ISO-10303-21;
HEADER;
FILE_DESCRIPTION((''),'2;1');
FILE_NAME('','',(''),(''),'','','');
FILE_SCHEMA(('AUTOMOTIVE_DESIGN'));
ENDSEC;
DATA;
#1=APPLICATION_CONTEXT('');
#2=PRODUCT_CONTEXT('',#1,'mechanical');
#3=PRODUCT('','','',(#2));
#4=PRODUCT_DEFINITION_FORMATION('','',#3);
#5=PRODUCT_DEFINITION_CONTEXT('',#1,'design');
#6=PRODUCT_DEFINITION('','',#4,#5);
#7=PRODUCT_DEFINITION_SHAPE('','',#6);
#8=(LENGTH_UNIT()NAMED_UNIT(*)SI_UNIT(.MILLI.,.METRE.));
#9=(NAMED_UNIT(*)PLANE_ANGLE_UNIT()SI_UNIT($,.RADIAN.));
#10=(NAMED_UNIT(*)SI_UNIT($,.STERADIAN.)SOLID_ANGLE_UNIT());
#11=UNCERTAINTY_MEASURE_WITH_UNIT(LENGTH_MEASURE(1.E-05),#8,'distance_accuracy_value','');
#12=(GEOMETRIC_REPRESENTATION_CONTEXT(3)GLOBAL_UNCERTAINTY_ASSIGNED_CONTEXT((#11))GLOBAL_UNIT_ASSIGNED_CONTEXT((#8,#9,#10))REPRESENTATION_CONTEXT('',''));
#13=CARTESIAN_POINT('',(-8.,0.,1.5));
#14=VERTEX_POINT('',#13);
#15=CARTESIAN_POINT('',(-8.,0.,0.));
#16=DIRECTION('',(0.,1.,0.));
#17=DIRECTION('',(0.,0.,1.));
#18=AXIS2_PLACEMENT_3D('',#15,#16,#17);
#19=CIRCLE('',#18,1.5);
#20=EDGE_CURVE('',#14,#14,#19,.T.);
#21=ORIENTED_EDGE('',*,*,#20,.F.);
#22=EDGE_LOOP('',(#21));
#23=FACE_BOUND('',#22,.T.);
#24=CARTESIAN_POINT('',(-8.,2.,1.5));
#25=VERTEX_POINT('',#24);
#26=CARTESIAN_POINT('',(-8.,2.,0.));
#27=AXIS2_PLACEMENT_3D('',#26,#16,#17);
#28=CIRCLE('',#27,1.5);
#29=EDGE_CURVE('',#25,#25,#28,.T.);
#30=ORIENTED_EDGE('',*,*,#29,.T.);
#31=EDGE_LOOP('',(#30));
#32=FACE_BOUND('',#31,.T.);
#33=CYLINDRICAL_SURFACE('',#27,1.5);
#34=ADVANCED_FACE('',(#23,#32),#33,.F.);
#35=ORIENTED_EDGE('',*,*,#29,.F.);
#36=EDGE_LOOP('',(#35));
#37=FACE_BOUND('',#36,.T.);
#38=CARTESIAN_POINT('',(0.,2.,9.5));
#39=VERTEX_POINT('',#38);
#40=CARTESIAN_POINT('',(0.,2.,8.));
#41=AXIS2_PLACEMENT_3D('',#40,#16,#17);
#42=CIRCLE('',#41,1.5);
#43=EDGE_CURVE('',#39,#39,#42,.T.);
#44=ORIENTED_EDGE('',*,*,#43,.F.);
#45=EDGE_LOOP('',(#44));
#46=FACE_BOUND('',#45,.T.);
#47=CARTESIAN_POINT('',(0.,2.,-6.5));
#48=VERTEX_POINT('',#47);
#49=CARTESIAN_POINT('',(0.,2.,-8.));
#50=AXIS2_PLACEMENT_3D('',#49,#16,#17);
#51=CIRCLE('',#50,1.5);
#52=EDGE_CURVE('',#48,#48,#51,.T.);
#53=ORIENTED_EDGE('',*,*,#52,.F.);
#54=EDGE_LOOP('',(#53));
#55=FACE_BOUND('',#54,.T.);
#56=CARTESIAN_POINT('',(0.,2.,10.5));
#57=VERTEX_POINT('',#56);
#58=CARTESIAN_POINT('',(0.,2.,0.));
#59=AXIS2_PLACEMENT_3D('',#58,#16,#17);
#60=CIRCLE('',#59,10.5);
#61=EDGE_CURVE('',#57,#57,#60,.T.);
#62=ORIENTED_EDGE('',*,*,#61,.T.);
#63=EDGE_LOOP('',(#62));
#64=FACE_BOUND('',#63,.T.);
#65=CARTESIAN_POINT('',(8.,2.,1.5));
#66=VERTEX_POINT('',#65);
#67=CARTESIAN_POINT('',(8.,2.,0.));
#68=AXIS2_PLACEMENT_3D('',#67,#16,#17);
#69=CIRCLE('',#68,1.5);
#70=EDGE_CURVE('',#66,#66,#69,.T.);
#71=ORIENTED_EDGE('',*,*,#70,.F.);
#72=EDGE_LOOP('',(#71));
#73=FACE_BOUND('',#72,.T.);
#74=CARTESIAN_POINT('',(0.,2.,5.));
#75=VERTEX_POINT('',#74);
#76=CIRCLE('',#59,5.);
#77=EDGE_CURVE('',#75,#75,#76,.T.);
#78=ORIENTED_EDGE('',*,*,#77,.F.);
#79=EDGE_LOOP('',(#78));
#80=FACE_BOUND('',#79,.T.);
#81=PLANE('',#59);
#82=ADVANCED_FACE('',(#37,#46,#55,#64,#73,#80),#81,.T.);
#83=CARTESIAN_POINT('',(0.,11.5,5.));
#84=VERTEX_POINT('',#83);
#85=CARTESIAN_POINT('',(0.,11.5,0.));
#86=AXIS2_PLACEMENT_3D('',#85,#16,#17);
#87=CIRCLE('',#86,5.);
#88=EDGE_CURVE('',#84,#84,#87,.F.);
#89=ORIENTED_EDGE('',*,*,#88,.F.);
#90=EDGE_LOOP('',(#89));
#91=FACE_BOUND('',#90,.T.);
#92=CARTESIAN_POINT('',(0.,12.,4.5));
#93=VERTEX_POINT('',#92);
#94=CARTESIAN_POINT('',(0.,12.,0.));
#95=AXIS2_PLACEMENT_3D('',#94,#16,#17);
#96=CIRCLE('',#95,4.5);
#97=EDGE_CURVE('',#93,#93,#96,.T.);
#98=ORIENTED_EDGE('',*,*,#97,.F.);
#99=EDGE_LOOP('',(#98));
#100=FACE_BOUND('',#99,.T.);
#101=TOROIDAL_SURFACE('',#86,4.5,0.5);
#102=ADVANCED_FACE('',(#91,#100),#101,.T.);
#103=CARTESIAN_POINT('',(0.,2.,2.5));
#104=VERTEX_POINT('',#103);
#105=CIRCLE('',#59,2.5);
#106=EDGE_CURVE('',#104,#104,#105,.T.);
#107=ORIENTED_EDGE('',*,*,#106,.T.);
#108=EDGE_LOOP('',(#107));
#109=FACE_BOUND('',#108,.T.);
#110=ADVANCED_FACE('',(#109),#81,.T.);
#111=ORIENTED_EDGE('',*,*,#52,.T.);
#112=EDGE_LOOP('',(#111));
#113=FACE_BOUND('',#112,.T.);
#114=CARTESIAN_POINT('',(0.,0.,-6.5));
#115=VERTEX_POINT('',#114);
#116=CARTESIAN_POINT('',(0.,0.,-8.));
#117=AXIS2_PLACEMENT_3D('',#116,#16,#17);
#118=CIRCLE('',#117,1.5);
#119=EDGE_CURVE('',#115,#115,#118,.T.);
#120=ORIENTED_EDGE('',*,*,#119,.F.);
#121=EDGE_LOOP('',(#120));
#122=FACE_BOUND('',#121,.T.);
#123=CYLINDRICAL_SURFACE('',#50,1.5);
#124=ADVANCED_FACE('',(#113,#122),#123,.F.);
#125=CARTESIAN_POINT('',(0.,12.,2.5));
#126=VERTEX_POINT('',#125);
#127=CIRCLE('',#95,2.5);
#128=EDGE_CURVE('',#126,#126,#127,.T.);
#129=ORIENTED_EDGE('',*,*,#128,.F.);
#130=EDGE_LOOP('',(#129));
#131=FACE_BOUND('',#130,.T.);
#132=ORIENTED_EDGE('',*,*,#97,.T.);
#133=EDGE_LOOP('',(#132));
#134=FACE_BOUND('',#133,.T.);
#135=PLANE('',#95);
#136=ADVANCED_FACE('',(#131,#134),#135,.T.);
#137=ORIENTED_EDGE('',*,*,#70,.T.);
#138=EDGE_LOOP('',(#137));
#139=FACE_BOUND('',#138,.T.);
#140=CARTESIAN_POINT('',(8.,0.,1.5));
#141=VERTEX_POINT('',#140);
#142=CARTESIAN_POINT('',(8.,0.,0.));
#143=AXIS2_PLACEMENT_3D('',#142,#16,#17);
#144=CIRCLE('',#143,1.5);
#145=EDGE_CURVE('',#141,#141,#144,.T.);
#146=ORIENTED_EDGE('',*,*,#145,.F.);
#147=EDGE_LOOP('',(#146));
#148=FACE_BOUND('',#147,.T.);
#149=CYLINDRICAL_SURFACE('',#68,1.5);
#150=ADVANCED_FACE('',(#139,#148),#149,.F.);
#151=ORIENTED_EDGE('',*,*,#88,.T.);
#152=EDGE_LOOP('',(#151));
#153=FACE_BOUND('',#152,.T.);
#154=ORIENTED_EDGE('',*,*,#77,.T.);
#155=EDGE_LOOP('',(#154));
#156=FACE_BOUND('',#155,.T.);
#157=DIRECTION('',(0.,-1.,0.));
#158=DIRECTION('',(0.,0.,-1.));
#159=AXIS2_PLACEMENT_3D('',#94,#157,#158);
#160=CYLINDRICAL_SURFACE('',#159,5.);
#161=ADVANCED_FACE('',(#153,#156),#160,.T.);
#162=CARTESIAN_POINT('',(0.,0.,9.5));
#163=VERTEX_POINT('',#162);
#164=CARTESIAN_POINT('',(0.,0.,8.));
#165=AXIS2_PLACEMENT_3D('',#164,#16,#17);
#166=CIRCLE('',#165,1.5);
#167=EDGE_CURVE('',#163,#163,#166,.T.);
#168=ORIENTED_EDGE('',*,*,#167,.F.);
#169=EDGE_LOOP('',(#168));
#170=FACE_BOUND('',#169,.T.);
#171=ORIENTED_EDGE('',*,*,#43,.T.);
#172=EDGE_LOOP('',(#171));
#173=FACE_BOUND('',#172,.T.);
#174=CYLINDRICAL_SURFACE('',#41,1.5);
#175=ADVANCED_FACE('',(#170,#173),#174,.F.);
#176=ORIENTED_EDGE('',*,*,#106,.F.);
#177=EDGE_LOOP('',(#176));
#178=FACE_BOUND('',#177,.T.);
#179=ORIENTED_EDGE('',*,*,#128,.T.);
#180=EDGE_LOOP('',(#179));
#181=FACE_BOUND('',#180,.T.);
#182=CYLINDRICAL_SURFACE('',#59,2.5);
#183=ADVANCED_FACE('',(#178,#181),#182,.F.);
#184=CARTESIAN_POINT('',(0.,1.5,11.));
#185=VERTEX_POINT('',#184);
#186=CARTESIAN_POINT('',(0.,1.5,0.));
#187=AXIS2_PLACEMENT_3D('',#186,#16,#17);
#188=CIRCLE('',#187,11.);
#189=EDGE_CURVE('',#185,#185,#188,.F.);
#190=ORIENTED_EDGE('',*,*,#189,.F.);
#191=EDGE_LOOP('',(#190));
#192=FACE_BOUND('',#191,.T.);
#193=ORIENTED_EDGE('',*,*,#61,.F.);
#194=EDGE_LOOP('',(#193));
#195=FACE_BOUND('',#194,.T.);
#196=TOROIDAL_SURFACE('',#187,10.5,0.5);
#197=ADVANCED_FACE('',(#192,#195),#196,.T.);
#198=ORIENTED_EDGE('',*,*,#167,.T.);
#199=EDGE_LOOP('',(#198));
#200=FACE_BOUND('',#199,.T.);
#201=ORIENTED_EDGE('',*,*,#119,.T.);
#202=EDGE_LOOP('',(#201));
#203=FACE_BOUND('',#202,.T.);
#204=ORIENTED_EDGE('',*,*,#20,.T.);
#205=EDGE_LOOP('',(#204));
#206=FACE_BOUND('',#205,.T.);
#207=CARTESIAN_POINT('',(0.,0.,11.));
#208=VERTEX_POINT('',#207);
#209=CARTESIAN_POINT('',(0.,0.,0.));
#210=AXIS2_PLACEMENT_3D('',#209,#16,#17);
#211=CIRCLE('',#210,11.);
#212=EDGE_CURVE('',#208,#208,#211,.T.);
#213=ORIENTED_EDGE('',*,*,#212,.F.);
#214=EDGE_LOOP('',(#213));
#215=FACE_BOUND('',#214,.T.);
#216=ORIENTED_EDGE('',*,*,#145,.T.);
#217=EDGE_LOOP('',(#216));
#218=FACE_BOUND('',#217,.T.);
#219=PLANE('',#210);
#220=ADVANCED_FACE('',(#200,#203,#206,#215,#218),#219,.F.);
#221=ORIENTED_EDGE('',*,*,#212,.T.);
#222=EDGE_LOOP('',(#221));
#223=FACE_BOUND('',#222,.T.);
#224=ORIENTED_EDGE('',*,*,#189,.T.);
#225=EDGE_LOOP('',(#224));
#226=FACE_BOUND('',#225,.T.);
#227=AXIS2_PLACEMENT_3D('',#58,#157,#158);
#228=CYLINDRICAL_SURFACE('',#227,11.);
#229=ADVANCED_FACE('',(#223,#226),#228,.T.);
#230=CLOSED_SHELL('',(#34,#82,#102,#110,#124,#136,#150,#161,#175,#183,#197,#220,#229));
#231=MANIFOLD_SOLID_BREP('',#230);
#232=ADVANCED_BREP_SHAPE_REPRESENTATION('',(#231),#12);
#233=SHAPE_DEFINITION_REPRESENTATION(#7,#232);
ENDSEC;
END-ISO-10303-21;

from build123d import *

# Parameters (mm, degrees)
SKETCH_1_R          = 11
EXTRUDE_1_DEPTH     = 2
SKETCH_2_R          = 5
EXTRUDE_2_DEPTH     = 10
SKETCH_3_R          = 2.5
CUT_EXTRUDE_1_DEPTH = 10
HOLE_WIZARD_1_D     = 3
FILLET_1_R          = 0.5


with BuildPart() as part:
    # 草图1 → 凸台-拉伸1 (new body)
    with BuildSketch(Plane(origin=(0, 0, 0), x_dir=(1, 0, 0), z_dir=(0, 1, 0))):
        with Locations(Location((0, 0, 0), (0, 0, 270))):
            Circle(SKETCH_1_R)
    extrude(amount=EXTRUDE_1_DEPTH)

    # 草图2 → 凸台-拉伸2 (add)
    with BuildSketch(Plane(origin=(0, 2, 0), x_dir=(1, 0, 0), z_dir=(0, 1, 0))):
        with Locations(Location((0, 0, 0), (0, 0, 270))):
            Circle(SKETCH_2_R)
    extrude(amount=EXTRUDE_2_DEPTH)

    # 草图3 → 切除-拉伸1 (cut)
    with BuildSketch(Plane(origin=(0, 12, 0), x_dir=(1, 0, 0), z_dir=(0, 1, 0))):
        with Locations(Location((0, 0, 0), (0, 0, 270))):
            Circle(SKETCH_3_R)
    extrude(amount=-CUT_EXTRUDE_1_DEPTH, mode=Mode.SUBTRACT)

    # 孔1 (through all)
    with Locations(Plane(origin=(0, 2, 0), x_dir=(1, 0, 0), z_dir=(0, 1, 0))):
        with Locations((0, 8), (8, 0), (0, -8), (-8, 0)):
            Hole(HOLE_WIZARD_1_D / 2)

    # 圆角1
    fillet_1_edges = [part.edges().sort_by_distance(p)[0] for p in [
        (0, 2, -11),
        (0, 12, -5),
    ]]
    fillet(fillet_1_edges, radius=FILLET_1_R)


solid = part.part
